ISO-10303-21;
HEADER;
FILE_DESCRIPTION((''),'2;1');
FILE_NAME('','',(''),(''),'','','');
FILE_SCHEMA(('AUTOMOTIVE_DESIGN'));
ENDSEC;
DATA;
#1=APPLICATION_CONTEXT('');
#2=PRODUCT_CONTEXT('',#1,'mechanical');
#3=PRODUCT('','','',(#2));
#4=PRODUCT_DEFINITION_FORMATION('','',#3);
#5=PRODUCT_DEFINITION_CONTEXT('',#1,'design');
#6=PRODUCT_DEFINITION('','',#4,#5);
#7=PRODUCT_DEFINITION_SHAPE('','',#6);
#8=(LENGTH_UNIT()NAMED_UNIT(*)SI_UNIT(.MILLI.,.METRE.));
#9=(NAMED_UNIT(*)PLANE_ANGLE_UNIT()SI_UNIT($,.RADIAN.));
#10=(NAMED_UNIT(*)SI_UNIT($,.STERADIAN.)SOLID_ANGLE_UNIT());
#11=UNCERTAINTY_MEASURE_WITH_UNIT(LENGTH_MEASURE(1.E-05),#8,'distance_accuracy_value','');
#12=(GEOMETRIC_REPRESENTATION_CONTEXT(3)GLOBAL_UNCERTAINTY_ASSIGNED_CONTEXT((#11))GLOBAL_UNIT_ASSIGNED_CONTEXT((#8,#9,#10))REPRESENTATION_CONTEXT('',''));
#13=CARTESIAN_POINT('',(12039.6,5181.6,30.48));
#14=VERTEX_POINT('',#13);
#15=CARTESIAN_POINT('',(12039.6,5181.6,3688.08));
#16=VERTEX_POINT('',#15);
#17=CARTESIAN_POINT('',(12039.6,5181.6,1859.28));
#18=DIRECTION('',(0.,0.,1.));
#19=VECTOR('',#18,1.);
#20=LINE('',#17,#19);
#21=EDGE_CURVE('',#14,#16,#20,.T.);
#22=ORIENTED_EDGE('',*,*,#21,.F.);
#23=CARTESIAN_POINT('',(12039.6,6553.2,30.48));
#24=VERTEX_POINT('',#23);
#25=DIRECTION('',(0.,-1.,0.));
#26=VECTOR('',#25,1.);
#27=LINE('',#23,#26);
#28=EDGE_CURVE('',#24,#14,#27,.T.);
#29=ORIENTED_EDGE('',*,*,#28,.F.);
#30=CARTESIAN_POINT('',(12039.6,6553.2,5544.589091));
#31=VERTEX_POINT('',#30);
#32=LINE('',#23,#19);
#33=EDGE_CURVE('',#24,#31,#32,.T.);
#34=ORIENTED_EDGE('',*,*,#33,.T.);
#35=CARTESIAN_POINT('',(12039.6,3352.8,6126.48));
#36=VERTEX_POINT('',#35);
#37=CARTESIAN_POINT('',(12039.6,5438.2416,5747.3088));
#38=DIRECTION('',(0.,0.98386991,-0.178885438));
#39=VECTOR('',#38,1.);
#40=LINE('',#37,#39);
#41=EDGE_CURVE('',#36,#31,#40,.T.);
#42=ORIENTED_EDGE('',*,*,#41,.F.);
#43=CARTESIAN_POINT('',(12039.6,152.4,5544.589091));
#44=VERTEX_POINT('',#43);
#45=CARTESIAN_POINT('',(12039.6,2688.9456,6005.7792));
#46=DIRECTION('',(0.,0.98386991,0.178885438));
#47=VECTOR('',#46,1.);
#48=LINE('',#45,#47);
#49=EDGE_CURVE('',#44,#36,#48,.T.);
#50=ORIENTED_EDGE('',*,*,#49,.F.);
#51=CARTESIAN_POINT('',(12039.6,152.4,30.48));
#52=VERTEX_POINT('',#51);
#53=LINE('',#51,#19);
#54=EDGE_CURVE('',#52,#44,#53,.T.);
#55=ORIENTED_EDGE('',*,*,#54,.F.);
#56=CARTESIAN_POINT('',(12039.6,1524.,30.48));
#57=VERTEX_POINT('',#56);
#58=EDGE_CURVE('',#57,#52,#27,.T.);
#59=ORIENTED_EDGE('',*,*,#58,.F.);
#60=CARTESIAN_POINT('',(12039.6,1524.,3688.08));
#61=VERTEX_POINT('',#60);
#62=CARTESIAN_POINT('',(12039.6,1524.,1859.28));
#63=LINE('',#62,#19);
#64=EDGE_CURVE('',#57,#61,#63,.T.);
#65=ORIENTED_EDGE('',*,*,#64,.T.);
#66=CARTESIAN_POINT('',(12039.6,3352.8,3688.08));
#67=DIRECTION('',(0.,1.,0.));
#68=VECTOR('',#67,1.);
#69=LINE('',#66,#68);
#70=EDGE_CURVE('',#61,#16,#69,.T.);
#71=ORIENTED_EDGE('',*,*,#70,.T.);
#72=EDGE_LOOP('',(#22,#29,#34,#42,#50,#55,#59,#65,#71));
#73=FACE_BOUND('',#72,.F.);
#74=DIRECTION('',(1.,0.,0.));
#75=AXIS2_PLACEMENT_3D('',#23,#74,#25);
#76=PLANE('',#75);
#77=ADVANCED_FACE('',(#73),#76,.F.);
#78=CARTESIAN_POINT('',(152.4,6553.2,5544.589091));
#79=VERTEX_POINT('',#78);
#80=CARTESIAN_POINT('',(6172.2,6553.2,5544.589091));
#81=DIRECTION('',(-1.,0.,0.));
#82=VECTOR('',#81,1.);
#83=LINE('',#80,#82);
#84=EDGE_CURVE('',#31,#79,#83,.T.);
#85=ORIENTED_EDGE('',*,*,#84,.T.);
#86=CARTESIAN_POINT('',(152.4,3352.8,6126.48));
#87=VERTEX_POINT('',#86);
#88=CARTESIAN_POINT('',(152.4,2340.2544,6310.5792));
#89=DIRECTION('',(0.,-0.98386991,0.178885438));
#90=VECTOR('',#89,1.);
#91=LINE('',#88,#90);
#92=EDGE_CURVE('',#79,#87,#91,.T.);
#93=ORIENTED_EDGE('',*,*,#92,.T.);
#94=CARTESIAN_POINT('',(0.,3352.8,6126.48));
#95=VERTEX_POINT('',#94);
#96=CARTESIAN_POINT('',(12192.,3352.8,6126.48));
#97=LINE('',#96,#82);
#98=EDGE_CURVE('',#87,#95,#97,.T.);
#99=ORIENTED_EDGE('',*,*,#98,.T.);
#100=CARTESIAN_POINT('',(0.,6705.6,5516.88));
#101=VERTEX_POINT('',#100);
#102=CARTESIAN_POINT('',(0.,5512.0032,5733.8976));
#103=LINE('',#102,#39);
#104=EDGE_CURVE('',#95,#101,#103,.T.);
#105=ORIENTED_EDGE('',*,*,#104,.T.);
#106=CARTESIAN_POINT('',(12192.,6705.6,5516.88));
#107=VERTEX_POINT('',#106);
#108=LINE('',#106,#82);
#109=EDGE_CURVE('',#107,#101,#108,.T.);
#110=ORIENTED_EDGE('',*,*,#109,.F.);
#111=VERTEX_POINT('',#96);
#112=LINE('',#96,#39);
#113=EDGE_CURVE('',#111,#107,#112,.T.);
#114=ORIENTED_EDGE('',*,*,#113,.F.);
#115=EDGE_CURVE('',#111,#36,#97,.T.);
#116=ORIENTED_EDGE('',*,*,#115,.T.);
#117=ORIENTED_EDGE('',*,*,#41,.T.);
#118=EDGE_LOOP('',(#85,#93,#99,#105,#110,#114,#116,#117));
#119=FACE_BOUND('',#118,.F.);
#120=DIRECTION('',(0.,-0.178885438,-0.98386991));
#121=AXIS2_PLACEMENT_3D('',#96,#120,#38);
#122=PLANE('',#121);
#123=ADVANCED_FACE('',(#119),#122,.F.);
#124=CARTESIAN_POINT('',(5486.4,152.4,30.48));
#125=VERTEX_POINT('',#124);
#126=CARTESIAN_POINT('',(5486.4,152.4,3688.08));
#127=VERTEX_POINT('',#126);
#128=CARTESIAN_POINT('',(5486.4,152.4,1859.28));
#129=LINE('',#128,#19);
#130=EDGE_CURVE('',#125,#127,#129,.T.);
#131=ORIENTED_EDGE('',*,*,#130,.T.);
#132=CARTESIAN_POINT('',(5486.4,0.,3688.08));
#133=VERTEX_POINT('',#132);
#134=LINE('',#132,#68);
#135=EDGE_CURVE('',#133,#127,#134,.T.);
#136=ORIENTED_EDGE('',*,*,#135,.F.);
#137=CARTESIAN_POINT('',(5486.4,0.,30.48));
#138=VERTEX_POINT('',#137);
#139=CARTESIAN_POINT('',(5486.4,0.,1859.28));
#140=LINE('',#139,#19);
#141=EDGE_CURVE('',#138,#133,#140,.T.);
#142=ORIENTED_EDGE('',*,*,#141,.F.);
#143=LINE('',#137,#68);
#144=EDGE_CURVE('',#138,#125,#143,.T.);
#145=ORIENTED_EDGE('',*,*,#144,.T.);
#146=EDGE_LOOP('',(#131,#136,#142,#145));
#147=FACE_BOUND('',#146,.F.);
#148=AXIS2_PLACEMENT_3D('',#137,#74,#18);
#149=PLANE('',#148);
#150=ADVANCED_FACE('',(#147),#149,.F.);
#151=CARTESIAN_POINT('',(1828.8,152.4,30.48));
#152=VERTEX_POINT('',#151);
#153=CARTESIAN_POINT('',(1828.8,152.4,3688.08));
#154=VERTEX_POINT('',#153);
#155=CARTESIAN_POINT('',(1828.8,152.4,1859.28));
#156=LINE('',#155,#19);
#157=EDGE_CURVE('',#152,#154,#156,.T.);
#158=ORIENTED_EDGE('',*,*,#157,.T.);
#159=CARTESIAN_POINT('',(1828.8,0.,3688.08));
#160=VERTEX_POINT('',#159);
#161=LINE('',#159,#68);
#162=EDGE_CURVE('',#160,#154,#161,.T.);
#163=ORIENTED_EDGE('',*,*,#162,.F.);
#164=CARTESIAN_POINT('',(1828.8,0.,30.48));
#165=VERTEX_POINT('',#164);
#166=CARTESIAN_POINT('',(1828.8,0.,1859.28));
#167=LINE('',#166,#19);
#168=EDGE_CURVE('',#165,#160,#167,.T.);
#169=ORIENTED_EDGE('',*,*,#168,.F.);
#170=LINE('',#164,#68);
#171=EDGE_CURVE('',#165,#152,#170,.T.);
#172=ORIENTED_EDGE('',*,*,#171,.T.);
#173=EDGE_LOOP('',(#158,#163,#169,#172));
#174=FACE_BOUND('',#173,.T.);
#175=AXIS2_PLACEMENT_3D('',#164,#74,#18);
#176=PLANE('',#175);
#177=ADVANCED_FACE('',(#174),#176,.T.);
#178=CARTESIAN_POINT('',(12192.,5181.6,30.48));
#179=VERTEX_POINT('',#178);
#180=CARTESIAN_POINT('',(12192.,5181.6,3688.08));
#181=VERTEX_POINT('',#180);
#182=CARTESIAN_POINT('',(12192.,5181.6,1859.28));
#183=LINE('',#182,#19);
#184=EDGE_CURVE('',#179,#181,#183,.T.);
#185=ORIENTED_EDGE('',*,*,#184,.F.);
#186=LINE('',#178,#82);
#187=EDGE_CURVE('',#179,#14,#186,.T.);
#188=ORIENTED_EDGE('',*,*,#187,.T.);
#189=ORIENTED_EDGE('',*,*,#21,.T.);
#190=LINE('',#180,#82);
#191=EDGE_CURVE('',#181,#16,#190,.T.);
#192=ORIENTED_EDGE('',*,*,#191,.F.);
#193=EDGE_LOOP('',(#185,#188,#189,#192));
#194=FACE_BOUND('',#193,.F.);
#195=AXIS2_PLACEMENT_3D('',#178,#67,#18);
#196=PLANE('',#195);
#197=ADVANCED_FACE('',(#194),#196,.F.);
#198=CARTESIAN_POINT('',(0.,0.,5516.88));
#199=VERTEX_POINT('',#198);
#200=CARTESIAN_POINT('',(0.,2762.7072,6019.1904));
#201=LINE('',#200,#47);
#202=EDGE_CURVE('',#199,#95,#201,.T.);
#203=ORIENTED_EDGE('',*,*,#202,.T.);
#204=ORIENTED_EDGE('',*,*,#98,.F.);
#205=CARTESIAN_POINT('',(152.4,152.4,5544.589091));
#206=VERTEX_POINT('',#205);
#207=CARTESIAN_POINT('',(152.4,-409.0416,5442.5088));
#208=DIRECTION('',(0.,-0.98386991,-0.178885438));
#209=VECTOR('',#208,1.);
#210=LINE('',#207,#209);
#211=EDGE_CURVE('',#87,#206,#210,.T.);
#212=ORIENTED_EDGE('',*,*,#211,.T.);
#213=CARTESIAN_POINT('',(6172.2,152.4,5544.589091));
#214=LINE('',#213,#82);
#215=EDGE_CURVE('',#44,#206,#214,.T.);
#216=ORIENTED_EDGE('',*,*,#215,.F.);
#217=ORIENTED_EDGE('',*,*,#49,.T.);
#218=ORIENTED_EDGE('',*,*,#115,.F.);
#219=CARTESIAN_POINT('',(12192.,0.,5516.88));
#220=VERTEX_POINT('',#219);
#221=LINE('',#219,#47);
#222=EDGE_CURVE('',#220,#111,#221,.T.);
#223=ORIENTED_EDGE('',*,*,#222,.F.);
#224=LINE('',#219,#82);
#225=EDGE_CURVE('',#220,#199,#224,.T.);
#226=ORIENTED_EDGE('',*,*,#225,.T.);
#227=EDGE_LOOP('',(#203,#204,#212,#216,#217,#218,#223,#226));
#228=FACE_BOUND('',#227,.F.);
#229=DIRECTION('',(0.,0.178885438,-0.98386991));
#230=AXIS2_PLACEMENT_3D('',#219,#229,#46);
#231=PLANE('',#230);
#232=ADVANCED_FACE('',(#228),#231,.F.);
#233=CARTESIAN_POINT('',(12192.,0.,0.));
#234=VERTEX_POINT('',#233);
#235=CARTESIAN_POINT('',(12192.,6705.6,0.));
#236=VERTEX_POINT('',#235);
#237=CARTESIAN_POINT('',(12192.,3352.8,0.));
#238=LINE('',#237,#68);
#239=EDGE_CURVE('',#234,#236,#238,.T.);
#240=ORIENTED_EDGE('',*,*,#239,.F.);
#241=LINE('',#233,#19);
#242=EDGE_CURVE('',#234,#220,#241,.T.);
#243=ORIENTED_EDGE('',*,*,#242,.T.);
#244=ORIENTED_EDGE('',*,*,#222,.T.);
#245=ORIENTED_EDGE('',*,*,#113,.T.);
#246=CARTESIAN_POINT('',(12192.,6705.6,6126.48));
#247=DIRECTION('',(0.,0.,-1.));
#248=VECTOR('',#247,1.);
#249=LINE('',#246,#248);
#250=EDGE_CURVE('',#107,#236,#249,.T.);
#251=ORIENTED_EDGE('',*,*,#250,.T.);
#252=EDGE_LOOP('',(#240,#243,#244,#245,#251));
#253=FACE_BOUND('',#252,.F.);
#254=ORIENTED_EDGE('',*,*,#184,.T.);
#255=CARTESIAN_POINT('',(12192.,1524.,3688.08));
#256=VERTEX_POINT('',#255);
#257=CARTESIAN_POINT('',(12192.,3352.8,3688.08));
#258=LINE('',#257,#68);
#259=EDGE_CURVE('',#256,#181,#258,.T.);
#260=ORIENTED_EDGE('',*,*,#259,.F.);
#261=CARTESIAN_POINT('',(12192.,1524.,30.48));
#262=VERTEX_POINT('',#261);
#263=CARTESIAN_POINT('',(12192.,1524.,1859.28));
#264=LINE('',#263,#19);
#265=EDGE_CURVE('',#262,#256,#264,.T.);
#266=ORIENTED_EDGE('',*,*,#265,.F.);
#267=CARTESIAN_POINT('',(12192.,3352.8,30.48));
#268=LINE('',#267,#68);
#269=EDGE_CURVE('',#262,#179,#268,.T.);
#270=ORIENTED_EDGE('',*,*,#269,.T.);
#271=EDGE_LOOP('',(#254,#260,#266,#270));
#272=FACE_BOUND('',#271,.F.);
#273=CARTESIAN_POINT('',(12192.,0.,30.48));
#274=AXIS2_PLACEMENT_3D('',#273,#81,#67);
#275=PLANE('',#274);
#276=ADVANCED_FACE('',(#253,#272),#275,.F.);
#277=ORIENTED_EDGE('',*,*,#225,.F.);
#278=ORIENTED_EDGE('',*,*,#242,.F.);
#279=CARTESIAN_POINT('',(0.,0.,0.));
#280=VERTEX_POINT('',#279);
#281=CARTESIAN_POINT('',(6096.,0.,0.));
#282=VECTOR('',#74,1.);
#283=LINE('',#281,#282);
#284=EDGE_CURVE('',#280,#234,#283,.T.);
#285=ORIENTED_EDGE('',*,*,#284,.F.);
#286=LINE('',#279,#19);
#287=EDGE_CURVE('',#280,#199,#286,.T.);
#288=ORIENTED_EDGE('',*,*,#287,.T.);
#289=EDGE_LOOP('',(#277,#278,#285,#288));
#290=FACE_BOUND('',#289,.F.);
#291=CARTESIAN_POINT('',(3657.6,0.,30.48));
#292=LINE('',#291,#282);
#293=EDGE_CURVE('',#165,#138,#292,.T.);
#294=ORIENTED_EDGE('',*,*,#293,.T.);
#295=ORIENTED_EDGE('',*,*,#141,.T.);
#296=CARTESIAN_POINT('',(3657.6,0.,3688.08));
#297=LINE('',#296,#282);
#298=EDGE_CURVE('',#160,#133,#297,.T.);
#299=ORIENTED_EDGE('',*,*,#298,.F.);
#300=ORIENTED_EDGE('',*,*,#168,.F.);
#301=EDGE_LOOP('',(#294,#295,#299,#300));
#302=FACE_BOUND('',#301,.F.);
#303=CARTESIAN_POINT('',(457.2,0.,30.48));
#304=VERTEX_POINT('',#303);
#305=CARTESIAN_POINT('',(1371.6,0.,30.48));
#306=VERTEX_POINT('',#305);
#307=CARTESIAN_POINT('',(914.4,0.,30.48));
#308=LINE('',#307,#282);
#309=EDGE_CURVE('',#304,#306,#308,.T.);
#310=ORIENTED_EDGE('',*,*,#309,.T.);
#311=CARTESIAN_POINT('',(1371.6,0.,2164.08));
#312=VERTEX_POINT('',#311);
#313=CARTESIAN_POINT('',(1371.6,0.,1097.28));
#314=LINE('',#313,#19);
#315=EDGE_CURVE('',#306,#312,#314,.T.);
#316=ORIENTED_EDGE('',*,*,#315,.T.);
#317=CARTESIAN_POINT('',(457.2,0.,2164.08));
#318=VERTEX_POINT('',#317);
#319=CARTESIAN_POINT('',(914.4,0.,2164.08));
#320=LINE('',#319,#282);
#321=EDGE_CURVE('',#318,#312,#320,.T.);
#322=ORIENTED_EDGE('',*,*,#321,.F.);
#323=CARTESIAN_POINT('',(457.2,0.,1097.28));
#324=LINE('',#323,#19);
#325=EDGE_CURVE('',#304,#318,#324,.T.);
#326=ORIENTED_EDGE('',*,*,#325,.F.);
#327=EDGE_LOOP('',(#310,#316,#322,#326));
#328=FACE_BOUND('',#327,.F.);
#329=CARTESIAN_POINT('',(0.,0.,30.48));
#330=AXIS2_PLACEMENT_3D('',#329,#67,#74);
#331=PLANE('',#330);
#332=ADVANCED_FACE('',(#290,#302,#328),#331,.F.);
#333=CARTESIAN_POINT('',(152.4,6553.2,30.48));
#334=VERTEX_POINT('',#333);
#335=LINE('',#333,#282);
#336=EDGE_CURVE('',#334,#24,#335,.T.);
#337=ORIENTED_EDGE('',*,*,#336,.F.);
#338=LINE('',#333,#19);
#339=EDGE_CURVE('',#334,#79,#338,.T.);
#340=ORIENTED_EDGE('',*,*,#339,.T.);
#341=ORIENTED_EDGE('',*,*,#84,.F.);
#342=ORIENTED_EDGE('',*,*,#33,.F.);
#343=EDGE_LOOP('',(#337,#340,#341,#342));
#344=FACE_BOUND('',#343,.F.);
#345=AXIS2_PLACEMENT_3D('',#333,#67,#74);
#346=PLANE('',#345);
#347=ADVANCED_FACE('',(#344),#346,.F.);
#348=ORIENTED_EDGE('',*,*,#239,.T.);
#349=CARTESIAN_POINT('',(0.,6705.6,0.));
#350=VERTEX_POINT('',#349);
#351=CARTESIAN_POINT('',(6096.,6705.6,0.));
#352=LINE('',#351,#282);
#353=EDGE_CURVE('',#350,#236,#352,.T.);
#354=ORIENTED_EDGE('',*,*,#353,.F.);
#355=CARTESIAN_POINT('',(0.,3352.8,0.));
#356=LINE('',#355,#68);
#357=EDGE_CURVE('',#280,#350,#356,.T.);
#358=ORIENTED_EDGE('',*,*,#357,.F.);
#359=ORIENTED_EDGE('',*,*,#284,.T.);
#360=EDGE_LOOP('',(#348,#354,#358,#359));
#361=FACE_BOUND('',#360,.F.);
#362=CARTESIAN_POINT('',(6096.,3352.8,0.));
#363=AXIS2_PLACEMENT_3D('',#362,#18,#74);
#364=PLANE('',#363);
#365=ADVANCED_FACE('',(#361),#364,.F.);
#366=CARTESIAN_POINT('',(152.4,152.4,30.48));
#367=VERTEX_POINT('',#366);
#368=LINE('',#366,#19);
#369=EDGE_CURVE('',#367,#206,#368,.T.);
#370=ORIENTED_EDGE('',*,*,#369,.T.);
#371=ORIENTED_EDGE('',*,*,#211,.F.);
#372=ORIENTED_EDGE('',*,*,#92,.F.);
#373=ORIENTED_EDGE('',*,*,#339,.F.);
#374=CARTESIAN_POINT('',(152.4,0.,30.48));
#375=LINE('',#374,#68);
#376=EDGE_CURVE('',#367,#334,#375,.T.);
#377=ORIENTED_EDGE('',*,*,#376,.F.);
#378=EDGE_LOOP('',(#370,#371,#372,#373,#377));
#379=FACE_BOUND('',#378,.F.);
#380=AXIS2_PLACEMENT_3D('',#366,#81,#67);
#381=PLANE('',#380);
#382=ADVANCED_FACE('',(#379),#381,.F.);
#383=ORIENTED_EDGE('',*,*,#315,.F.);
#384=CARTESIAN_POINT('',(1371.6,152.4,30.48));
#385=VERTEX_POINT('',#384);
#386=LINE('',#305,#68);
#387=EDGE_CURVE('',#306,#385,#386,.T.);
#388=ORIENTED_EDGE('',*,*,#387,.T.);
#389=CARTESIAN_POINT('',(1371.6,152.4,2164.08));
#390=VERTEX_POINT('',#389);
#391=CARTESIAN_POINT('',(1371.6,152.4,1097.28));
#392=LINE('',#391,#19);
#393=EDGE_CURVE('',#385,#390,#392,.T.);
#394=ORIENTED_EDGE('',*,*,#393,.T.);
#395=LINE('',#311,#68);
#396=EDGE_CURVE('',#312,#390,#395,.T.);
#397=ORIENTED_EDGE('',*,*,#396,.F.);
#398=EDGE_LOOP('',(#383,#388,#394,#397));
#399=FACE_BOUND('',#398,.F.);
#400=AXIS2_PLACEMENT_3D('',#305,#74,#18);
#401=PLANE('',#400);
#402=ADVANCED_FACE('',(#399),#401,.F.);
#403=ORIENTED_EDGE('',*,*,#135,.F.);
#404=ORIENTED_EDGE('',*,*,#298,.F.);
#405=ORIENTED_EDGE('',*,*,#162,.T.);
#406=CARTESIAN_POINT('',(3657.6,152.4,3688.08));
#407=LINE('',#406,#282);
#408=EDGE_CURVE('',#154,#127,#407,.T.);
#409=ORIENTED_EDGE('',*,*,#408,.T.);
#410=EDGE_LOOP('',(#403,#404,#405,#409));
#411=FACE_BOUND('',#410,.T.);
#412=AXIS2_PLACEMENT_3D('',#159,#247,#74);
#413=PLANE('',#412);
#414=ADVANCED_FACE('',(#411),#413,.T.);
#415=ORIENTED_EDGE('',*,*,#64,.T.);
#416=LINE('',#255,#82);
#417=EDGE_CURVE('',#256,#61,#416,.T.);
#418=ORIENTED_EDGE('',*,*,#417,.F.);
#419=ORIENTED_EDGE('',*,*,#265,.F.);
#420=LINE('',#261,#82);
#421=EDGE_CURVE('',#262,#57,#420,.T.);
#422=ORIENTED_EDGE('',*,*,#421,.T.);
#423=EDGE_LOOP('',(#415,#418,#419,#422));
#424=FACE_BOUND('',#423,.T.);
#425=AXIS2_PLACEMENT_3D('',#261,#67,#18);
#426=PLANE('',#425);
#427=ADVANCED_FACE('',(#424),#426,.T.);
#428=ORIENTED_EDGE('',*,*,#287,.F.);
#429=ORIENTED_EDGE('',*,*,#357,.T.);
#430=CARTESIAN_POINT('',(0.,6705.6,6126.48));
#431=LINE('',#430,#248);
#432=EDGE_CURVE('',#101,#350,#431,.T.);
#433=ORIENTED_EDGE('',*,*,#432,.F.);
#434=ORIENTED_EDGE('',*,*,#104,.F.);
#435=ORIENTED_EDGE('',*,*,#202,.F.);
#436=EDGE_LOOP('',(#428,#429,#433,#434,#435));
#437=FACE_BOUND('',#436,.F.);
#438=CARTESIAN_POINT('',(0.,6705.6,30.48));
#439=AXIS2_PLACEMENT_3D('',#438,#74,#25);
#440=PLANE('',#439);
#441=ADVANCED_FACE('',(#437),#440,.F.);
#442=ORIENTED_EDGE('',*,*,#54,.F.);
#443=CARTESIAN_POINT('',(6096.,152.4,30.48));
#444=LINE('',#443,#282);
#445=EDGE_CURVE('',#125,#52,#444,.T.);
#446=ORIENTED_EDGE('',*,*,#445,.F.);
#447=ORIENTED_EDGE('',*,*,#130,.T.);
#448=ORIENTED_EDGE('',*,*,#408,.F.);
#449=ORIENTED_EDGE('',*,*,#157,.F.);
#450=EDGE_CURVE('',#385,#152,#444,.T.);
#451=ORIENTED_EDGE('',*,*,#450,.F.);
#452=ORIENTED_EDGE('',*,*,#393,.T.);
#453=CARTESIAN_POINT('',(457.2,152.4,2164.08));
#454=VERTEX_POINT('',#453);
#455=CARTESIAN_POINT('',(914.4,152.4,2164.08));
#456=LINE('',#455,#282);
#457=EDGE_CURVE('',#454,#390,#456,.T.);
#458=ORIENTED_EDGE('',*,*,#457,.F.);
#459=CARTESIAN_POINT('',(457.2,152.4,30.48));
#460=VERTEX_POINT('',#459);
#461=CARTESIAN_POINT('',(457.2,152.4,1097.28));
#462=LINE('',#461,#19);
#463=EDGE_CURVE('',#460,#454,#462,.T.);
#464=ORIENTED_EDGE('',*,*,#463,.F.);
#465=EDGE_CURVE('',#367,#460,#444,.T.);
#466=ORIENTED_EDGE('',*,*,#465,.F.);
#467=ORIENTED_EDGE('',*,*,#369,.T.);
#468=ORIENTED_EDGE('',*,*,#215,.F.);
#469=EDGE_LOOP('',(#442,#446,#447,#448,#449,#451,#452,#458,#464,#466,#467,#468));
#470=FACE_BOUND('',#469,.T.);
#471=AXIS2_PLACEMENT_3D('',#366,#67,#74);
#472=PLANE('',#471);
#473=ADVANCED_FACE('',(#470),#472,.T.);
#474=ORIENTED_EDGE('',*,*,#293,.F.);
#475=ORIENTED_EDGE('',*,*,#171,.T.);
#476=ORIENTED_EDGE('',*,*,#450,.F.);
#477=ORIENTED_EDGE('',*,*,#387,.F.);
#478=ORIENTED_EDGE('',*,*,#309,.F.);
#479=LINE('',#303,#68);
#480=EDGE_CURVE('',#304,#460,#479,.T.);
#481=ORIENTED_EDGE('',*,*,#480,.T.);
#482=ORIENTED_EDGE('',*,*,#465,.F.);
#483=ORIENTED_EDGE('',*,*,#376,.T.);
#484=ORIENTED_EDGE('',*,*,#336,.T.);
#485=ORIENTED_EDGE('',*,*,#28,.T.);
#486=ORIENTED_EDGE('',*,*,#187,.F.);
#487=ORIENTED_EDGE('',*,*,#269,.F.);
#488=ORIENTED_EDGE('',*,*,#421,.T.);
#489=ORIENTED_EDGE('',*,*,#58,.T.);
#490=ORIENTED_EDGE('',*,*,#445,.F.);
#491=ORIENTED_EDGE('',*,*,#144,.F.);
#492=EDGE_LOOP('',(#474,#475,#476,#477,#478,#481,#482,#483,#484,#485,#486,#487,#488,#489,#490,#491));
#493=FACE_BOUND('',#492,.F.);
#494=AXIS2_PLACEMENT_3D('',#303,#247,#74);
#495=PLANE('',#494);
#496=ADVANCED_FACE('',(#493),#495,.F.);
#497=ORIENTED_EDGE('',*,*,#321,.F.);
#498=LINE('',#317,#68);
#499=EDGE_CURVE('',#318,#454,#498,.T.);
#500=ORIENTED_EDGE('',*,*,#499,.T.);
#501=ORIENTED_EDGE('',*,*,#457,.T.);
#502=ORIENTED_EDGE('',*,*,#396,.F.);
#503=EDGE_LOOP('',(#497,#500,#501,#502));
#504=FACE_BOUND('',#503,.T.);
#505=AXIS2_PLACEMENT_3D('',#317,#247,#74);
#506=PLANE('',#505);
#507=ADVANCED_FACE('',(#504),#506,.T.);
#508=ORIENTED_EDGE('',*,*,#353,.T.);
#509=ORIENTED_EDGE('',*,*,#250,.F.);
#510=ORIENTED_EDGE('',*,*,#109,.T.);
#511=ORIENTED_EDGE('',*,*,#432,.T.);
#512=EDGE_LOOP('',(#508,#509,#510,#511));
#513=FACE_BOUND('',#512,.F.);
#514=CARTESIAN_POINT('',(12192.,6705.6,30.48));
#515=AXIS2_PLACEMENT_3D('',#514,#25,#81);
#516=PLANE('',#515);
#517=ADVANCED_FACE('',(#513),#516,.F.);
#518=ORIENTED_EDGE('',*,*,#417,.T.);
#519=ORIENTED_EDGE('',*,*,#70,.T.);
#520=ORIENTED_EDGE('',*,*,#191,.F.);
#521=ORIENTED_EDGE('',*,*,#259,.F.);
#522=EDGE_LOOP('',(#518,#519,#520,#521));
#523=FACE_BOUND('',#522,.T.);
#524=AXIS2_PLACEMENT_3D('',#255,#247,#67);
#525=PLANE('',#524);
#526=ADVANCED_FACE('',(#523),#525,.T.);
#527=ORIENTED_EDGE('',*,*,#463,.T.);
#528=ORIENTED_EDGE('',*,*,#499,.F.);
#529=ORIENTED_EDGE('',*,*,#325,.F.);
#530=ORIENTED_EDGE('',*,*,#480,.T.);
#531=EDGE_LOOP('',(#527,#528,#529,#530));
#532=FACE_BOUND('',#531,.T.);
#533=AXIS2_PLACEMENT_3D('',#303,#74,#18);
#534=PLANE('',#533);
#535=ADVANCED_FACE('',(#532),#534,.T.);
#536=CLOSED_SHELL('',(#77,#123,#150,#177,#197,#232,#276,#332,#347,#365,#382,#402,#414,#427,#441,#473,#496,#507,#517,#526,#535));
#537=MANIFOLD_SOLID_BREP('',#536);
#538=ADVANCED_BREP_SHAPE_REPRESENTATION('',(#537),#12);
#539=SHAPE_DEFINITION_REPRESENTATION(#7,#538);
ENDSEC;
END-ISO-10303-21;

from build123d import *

# Parameters (mm, degrees)
F0_W      = 12192
F0_H      = 6705.6
F1_DEPTH  = 30.48
F2_W      = 11887.2
F2_H      = 152.4
F3_DEPTH  = 6096
F5_DEPTH  = 12192.001
F6_W      = 3657.6
F6_H      = 3657.6
F7_DEPTH  = 152.4
F8_W      = 3657.6
F8_H      = 3657.6
F9_DEPTH  = 152.4
F10_W     = 914.4
F10_H     = 2133.6
F11_DEPTH = 152.4


with BuildPart() as f1:
    # F0 (on Top) → F1 (new body)
    with BuildSketch(Plane.XY):
        with Locations((6096, 3352.8)):
            Rectangle(F0_W, F0_H)
    extrude(amount=F1_DEPTH)

    # F2 (on face) → F3 (join)
    with BuildSketch(Plane.XY.offset(30.48)):
        Polygon((152.4, 6705.6), (0, 6705.6), (0, 0), (152.4, 0), (152.4, 152.4), (152.4, 6553.2), align=None)
        Polygon((12192, 6705.6), (152.4, 6705.6), (152.4, 6553.2), (12039.6, 6553.2), (12192, 6553.2), align=None)
        with Locations((6096, 76.2)):
            Rectangle(F2_W, F2_H)
        Polygon((12192, 6553.2), (12039.6, 6553.2), (12039.6, 152.4), (12039.6, 0), (12192, 0), align=None)
    extrude(amount=F3_DEPTH)

    # F4 (on face) → F5 (cut, through all)
    with BuildSketch(Plane.YZ.offset(12192)):
        Polygon((6705.6, 6126.48), (3352.8, 6126.48), (6705.6, 5516.88), align=None)
        Polygon((3352.8, 6126.48), (0, 6126.48), (0, 5516.88), align=None)
    extrude(amount=-F5_DEPTH, mode=Mode.SUBTRACT)

    # F6 (on face) → F7 (cut)
    with BuildSketch(Plane.YZ.offset(12192)):
        with Locations((3352.8, 1859.28)):
            Rectangle(F6_W, F6_H)
    extrude(amount=-F7_DEPTH, mode=Mode.SUBTRACT)

    # F8 (on face) → F9 (cut)
    with BuildSketch(Plane.XZ):
        with Locations((3657.6, 1859.28)):
            Rectangle(F8_W, F8_H)
    extrude(amount=-F9_DEPTH, mode=Mode.SUBTRACT)

    # F10 (on face) → F11 (cut)
    with BuildSketch(Plane.XZ):
        with Locations((914.4, 1097.28)):
            Rectangle(F10_W, F10_H)
    extrude(amount=-F11_DEPTH, mode=Mode.SUBTRACT)


solid = f1.part
